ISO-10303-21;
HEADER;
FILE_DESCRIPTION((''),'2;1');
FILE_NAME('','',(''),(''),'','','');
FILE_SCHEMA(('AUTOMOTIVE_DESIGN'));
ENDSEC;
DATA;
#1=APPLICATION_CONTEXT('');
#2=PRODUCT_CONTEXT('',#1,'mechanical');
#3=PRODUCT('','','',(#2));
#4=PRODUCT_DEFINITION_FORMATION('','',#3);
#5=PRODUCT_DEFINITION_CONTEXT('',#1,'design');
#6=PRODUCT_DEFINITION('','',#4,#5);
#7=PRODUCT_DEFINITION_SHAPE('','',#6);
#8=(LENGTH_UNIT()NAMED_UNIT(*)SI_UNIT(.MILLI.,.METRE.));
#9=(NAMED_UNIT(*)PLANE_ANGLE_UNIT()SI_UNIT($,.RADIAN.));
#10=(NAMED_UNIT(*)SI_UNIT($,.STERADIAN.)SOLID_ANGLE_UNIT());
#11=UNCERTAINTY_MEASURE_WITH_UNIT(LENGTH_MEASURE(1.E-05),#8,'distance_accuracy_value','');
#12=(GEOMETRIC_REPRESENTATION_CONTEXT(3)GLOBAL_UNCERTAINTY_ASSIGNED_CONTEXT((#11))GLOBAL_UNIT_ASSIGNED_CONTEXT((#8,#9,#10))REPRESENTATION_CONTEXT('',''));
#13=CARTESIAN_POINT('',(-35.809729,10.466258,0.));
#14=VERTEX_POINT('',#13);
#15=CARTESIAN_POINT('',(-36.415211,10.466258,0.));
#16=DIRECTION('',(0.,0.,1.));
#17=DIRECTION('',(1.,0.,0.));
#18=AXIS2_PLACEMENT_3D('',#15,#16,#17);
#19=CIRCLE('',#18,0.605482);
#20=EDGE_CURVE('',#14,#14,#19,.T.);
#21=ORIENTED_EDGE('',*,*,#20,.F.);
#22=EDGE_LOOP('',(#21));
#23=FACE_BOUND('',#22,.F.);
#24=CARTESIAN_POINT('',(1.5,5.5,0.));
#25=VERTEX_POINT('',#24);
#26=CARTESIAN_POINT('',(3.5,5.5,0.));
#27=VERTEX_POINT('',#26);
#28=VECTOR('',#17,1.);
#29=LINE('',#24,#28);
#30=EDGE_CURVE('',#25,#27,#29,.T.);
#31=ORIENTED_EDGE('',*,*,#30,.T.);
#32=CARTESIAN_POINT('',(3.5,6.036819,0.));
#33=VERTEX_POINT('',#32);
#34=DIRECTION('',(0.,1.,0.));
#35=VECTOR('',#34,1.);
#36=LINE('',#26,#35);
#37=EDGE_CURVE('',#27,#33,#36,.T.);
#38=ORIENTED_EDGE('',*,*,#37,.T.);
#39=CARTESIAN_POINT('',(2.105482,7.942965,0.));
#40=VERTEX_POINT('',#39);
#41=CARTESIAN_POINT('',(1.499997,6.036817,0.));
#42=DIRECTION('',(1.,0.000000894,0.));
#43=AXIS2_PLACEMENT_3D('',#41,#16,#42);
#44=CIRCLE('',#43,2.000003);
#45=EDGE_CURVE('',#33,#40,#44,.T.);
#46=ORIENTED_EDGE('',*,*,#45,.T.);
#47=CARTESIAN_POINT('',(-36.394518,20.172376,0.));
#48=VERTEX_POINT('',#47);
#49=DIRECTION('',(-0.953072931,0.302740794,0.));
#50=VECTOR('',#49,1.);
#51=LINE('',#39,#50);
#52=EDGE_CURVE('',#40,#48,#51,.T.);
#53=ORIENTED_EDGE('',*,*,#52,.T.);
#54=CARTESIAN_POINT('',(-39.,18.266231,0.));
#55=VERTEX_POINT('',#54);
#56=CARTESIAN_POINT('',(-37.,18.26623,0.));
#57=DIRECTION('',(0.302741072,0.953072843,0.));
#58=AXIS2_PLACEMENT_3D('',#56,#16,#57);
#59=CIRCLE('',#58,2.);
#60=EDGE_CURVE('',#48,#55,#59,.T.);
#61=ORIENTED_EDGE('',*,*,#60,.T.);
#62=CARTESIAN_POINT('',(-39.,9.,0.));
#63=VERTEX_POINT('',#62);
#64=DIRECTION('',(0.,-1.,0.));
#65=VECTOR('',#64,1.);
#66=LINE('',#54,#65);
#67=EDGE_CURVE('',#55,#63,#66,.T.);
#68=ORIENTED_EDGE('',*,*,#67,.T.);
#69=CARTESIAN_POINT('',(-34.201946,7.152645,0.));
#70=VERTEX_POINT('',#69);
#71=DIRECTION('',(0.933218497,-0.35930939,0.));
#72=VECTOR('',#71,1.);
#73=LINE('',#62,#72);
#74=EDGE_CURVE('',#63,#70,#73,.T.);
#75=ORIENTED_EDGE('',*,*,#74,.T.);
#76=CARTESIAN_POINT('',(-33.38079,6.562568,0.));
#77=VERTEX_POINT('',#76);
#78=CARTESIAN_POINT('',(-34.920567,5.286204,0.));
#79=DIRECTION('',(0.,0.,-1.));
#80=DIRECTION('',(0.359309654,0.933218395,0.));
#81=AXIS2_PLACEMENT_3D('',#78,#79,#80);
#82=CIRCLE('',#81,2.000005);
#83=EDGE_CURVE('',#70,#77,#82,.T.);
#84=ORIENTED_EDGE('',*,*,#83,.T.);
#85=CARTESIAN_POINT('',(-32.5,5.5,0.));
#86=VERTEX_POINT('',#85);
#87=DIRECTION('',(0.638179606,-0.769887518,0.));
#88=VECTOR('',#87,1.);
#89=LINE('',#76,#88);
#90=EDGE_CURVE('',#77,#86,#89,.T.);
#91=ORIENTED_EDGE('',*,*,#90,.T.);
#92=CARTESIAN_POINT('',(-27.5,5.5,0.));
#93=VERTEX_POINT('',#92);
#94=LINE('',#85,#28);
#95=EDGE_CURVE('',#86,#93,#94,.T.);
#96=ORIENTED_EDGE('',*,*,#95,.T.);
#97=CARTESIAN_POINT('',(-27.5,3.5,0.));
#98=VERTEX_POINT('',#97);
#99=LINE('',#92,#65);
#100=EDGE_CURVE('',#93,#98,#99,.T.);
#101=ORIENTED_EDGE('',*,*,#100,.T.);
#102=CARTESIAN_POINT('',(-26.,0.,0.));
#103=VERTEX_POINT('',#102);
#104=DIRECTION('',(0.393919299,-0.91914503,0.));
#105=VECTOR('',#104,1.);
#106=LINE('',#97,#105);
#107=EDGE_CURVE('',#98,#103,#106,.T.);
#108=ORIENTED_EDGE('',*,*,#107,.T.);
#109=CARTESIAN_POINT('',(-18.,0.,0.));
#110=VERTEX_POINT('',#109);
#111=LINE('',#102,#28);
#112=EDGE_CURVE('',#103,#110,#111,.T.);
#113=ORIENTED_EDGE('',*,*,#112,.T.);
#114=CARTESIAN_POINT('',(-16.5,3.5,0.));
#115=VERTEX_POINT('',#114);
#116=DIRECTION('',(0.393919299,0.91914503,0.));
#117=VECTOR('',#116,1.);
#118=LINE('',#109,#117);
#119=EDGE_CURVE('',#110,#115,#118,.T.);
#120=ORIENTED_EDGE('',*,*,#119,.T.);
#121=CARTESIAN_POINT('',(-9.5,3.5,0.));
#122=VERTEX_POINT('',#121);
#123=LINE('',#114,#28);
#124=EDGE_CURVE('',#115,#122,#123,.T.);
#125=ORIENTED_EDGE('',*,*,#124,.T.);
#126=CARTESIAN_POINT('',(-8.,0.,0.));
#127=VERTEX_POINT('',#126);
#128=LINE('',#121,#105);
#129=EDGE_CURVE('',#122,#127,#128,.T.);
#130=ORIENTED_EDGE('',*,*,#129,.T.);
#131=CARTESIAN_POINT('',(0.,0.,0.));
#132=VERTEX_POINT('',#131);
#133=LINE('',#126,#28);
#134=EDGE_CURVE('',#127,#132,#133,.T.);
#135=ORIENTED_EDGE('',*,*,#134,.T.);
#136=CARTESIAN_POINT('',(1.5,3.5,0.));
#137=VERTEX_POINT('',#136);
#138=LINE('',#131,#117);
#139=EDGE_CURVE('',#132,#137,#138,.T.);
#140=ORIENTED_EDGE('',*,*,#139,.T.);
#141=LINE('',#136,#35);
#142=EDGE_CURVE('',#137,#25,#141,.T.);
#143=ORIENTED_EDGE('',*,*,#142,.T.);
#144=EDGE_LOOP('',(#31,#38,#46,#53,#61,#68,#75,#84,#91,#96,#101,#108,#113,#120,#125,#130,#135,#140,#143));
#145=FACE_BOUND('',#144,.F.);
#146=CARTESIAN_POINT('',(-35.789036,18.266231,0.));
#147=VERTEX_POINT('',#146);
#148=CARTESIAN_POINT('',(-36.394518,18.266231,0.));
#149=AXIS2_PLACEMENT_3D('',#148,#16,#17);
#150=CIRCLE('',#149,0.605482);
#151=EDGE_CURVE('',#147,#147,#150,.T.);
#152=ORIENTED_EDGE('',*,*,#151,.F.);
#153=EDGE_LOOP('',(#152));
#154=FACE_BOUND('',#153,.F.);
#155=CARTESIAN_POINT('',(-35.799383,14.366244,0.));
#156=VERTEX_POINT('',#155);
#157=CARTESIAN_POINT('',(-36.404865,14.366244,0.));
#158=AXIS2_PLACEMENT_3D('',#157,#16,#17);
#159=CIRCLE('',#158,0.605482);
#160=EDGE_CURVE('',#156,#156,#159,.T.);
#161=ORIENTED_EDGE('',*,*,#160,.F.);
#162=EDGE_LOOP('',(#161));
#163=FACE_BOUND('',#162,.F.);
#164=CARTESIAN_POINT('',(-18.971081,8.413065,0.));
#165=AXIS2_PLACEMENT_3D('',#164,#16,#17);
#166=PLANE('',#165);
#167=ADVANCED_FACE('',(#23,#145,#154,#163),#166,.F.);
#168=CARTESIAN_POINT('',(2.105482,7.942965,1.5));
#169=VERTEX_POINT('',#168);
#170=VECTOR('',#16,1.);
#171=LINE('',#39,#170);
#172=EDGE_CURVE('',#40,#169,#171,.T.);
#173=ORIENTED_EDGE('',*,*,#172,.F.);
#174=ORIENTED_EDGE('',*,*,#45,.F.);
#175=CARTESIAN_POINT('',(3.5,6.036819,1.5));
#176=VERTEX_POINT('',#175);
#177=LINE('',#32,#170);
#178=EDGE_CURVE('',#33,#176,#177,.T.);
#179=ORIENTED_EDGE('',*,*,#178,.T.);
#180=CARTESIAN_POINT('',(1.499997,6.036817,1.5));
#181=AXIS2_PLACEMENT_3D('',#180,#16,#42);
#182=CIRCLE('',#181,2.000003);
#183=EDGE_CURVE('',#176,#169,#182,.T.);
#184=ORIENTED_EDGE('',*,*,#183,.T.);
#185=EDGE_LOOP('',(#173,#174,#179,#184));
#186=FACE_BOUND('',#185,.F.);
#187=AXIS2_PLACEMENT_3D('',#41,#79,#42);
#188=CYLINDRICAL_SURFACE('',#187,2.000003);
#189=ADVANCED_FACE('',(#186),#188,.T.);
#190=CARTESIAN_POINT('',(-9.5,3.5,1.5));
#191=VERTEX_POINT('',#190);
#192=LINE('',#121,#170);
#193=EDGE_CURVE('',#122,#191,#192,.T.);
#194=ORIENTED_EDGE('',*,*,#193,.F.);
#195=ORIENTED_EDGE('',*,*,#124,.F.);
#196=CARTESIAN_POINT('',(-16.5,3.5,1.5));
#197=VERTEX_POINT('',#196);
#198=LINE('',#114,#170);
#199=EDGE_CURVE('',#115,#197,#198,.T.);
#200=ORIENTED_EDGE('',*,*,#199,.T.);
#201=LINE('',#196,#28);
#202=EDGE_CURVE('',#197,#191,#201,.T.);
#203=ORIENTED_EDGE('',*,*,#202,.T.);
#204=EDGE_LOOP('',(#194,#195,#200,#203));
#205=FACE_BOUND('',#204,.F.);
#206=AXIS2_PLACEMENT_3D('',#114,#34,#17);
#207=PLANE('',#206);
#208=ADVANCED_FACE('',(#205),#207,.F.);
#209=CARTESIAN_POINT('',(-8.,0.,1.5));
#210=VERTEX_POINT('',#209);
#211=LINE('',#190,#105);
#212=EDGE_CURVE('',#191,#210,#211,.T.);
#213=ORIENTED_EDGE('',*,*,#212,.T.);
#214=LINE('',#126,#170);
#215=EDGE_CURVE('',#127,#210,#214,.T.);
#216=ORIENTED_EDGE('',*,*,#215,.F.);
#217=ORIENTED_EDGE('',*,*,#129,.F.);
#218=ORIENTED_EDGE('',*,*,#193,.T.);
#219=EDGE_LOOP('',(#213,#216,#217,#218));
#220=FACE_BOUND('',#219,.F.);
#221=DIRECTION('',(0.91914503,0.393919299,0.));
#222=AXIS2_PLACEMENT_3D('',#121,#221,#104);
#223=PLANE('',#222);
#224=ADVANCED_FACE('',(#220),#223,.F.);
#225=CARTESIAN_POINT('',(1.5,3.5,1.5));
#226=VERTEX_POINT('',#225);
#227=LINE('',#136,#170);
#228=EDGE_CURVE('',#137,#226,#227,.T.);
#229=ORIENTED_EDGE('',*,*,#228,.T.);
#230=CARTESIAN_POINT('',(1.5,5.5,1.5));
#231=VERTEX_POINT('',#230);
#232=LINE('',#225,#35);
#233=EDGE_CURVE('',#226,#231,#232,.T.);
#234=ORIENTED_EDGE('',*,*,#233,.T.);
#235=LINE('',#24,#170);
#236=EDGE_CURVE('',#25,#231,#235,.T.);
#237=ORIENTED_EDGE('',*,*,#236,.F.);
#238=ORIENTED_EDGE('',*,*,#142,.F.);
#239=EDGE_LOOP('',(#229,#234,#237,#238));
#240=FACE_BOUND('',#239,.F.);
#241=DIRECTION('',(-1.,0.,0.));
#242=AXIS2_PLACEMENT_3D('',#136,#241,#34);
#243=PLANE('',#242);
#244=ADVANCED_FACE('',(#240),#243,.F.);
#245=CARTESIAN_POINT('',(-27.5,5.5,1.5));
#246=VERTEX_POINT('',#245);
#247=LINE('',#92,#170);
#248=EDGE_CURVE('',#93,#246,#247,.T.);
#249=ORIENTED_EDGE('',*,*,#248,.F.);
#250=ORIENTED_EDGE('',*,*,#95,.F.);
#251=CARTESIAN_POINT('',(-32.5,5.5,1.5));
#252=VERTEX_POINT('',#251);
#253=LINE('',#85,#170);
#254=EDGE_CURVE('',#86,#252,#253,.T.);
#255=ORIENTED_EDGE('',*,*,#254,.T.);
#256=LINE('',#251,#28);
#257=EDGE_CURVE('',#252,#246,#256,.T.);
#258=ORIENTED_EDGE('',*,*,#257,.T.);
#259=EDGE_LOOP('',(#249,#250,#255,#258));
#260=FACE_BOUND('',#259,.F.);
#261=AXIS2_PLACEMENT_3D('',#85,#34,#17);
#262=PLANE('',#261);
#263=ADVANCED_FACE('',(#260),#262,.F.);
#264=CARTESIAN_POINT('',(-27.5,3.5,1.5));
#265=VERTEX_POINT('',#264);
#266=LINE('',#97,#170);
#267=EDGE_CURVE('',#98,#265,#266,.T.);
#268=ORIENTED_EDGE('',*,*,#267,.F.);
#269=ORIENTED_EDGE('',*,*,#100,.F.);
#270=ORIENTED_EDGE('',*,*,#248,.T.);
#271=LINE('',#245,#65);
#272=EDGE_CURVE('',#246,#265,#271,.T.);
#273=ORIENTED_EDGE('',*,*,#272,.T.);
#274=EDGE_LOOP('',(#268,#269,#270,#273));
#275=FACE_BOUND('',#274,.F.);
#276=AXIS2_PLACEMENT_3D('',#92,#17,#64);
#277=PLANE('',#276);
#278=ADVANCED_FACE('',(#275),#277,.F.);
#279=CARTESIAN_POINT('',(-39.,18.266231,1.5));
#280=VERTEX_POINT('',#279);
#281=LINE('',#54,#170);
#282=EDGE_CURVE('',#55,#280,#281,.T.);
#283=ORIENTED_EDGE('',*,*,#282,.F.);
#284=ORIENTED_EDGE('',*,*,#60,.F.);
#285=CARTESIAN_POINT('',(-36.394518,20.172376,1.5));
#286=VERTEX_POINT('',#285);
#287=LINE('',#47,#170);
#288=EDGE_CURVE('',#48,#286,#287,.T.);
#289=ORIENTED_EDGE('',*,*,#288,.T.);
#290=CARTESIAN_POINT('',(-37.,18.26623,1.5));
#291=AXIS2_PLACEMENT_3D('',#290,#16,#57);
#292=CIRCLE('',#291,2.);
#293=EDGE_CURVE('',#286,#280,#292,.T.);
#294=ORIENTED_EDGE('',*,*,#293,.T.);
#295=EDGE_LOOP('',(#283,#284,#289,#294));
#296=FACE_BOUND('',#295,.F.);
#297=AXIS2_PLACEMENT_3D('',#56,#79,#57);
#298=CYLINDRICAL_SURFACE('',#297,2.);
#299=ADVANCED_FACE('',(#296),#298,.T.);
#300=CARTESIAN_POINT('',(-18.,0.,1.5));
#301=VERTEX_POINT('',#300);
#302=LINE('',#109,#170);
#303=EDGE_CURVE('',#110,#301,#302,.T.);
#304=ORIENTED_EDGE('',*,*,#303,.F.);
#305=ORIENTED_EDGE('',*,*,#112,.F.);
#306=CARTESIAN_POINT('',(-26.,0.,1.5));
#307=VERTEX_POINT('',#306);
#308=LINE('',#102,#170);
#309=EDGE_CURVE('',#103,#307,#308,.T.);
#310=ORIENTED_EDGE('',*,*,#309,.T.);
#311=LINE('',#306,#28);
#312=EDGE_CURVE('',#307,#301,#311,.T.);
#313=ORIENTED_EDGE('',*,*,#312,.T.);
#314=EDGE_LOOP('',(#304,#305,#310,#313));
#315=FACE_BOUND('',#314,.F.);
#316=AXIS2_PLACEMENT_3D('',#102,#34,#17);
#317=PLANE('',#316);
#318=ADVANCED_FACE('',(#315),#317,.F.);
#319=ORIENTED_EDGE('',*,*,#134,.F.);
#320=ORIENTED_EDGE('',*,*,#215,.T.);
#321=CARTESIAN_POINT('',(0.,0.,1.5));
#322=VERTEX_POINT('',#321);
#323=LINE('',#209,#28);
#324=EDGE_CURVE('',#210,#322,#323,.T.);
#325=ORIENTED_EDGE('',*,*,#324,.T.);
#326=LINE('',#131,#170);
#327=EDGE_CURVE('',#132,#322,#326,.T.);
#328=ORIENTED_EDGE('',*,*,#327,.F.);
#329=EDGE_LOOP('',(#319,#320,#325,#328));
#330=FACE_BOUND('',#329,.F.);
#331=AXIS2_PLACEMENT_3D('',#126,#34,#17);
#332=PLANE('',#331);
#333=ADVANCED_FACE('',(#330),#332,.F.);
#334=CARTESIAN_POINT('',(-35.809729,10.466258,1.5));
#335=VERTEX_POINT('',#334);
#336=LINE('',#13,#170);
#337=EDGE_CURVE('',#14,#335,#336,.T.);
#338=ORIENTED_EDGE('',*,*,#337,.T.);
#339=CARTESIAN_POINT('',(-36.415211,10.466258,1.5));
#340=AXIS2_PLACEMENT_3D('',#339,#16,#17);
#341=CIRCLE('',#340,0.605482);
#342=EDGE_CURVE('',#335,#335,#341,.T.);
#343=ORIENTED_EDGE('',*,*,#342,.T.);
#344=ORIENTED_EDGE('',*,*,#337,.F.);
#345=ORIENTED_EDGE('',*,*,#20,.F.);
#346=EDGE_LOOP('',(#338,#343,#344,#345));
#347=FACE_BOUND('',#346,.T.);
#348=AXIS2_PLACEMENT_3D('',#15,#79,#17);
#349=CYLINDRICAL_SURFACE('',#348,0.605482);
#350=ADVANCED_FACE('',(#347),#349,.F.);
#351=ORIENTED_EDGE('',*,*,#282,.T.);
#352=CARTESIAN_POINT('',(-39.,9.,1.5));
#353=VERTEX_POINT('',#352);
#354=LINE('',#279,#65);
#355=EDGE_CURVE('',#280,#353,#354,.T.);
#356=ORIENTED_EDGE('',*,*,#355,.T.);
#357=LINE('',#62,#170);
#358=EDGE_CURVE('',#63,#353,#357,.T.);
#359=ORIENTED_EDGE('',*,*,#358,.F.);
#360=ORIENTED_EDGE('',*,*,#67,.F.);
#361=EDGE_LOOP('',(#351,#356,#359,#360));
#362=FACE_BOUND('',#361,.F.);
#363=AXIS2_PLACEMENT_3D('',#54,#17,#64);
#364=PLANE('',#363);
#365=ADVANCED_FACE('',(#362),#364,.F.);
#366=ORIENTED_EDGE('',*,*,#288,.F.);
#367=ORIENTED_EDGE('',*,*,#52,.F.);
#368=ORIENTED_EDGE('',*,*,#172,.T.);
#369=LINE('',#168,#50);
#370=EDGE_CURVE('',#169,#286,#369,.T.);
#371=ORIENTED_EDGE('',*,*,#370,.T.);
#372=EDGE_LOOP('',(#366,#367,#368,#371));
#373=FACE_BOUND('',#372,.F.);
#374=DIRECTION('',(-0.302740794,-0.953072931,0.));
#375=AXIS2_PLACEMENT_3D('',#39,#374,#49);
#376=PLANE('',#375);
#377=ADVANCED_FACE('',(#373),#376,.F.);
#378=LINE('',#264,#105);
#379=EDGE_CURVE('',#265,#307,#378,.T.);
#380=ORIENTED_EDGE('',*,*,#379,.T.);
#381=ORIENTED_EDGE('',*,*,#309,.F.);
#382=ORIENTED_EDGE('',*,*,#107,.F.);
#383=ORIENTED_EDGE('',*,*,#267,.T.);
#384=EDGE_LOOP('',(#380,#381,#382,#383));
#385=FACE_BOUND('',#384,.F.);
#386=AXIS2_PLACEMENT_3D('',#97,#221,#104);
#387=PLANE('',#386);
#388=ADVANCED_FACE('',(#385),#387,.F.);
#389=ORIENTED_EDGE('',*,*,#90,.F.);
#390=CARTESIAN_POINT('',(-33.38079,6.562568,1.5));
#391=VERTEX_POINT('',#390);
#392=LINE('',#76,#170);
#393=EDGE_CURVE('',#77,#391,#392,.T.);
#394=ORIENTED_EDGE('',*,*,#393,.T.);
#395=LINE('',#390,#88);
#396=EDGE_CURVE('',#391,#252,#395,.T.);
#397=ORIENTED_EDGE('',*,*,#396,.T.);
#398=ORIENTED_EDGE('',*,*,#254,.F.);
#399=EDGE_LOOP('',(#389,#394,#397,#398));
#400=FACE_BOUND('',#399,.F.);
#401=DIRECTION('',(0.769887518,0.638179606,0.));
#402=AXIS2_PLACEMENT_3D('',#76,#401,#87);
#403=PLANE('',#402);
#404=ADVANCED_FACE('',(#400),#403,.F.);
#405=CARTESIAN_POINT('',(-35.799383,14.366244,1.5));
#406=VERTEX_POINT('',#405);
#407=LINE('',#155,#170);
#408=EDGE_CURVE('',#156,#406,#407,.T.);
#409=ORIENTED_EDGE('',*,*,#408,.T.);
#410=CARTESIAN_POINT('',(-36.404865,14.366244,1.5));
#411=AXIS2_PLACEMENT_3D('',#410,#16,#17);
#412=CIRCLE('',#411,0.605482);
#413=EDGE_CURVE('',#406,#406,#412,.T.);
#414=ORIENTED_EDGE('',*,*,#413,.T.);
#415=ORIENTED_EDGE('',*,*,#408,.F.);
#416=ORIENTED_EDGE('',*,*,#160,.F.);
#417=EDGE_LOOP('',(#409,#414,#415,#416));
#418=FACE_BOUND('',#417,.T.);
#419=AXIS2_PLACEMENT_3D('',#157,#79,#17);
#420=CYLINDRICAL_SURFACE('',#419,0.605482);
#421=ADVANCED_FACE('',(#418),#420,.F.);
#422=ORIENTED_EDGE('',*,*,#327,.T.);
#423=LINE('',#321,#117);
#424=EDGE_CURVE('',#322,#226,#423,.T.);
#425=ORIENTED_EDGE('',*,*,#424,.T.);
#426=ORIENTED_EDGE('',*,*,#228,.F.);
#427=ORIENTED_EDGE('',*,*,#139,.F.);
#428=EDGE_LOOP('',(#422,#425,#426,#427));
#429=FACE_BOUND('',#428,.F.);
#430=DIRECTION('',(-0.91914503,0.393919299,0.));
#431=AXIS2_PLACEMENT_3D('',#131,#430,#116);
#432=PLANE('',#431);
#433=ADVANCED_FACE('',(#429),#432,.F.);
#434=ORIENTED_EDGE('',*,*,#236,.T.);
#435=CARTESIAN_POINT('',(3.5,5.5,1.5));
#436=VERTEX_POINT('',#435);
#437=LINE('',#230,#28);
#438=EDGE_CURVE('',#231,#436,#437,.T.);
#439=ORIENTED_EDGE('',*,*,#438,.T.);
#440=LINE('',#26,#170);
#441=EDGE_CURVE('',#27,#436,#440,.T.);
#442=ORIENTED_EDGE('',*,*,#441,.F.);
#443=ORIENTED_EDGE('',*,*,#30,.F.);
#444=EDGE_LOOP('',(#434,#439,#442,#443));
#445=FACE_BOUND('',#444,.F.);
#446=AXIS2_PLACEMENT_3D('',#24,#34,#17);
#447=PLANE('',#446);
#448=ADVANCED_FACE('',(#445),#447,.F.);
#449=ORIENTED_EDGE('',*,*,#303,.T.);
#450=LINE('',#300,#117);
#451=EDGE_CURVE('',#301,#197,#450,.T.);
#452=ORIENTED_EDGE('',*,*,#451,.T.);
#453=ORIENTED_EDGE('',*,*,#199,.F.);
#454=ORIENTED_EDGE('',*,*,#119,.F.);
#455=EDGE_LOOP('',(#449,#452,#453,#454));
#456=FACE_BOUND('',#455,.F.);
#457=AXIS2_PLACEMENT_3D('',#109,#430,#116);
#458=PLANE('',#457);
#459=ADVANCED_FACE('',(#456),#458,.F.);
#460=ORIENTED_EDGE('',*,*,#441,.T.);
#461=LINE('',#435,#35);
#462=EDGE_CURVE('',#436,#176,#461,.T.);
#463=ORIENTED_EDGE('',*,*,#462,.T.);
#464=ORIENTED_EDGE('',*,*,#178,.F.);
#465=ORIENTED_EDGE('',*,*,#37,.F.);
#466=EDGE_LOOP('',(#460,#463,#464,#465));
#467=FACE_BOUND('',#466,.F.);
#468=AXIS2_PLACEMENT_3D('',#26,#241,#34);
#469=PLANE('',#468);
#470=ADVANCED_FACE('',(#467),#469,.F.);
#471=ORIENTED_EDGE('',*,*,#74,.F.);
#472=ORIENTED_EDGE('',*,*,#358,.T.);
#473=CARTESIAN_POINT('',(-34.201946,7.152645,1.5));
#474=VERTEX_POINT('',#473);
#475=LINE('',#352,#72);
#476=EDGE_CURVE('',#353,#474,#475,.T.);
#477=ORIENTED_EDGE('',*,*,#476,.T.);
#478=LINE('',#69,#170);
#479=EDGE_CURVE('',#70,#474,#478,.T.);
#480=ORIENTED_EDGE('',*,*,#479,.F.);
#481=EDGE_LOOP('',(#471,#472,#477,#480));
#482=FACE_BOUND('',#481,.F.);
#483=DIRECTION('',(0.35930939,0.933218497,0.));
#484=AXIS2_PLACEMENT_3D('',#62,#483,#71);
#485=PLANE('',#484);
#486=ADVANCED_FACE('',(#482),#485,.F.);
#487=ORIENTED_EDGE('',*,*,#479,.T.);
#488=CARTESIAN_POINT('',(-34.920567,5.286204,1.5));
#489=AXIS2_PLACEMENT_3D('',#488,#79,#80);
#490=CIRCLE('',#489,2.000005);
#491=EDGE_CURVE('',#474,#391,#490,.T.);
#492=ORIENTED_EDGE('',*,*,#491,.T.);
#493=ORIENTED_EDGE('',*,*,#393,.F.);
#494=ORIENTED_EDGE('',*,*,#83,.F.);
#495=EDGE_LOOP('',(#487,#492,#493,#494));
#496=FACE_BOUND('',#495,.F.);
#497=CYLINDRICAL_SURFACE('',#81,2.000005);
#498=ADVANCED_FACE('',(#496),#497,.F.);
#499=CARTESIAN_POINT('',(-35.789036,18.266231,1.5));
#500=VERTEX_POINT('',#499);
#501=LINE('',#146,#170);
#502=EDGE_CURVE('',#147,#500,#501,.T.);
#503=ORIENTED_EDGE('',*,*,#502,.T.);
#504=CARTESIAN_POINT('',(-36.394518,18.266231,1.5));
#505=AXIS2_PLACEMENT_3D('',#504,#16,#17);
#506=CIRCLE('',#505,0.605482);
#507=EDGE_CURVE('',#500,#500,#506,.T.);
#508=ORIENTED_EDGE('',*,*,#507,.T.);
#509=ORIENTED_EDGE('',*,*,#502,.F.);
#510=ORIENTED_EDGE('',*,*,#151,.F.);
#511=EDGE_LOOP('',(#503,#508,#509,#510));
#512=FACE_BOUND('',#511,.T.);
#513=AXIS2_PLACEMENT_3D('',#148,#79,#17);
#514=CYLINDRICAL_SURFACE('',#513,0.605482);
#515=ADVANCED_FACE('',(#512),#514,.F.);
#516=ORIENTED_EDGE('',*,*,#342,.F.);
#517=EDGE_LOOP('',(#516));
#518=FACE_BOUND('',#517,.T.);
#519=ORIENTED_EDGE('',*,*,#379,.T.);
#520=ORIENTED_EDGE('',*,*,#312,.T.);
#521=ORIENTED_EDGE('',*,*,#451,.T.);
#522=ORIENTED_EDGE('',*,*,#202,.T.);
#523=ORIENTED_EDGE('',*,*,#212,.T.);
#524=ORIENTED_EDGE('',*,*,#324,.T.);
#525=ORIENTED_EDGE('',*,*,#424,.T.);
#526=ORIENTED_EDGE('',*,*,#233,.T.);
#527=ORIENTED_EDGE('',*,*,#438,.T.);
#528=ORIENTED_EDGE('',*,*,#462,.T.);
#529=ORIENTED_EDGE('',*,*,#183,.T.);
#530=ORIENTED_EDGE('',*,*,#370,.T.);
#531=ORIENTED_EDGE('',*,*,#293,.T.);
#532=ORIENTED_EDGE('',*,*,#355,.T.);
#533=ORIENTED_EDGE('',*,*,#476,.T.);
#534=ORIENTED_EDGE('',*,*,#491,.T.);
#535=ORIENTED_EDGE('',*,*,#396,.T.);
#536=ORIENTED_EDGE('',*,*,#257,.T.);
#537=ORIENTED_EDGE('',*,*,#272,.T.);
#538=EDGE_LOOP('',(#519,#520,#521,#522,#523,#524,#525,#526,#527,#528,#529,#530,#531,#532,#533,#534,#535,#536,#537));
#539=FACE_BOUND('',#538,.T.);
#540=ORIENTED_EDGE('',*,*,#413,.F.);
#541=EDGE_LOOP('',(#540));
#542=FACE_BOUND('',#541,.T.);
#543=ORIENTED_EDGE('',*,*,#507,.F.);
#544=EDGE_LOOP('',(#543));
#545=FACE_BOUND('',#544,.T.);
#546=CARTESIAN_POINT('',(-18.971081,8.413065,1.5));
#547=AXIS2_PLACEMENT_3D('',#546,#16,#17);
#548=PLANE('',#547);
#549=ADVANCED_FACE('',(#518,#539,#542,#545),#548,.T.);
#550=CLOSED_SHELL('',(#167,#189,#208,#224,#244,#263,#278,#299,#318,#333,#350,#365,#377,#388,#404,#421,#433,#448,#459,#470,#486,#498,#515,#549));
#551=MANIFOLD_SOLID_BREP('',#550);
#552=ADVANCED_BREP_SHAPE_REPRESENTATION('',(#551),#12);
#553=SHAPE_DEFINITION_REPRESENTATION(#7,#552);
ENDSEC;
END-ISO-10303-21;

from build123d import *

# Parameters (mm, degrees)
F0_R     = 0.605482
F1_DEPTH = 1.5


with BuildPart() as f1:
    # F0 (on Top) → F1 (new body)
    with BuildSketch(Plane.XY):
        with BuildLine():
            Line((-8, 0), (0, 0))
            Line((0, 0), (1.5, 3.5))
            Line((1.5, 3.5), (1.5, 5.5))
            Line((1.5, 5.5), (3.5, 5.5))
            Line((3.5, 5.5), (3.5, 6.036819))
            ThreePointArc((3.5, 6.036819), (3.11415, 7.217716), (2.105482, 7.942965))
            Line((2.105482, 7.942965), (-36.394518, 20.172376))
            ThreePointArc((-36.394518, 20.172376), (-38.180897, 19.880381), (-39, 18.266231))
            Line((-39, 18.266231), (-39, 9))
            Line((-39, 9), (-34.201946, 7.152645))
            ThreePointArc((-34.201946, 7.152645), (-33.75346, 6.910359), (-33.38079, 6.562568))
            Line((-33.38079, 6.562568), (-32.5, 5.5))
            Line((-32.5, 5.5), (-27.5, 5.5))
            Line((-27.5, 5.5), (-27.5, 3.5))
            Line((-27.5, 3.5), (-26, 0))
            Line((-26, 0), (-18, 0))
            Line((-18, 0), (-16.5, 3.5))
            Line((-16.5, 3.5), (-9.5, 3.5))
            Line((-9.5, 3.5), (-8, 0))
        make_face()
        with Locations((-36.415211, 10.466258)):
            Circle(F0_R, mode=Mode.SUBTRACT)
        with Locations((-36.404865, 14.366244)):
            Circle(F0_R, mode=Mode.SUBTRACT)
        with Locations((-36.394518, 18.266231)):
            Circle(F0_R, mode=Mode.SUBTRACT)
    extrude(amount=F1_DEPTH)


solid = f1.part
